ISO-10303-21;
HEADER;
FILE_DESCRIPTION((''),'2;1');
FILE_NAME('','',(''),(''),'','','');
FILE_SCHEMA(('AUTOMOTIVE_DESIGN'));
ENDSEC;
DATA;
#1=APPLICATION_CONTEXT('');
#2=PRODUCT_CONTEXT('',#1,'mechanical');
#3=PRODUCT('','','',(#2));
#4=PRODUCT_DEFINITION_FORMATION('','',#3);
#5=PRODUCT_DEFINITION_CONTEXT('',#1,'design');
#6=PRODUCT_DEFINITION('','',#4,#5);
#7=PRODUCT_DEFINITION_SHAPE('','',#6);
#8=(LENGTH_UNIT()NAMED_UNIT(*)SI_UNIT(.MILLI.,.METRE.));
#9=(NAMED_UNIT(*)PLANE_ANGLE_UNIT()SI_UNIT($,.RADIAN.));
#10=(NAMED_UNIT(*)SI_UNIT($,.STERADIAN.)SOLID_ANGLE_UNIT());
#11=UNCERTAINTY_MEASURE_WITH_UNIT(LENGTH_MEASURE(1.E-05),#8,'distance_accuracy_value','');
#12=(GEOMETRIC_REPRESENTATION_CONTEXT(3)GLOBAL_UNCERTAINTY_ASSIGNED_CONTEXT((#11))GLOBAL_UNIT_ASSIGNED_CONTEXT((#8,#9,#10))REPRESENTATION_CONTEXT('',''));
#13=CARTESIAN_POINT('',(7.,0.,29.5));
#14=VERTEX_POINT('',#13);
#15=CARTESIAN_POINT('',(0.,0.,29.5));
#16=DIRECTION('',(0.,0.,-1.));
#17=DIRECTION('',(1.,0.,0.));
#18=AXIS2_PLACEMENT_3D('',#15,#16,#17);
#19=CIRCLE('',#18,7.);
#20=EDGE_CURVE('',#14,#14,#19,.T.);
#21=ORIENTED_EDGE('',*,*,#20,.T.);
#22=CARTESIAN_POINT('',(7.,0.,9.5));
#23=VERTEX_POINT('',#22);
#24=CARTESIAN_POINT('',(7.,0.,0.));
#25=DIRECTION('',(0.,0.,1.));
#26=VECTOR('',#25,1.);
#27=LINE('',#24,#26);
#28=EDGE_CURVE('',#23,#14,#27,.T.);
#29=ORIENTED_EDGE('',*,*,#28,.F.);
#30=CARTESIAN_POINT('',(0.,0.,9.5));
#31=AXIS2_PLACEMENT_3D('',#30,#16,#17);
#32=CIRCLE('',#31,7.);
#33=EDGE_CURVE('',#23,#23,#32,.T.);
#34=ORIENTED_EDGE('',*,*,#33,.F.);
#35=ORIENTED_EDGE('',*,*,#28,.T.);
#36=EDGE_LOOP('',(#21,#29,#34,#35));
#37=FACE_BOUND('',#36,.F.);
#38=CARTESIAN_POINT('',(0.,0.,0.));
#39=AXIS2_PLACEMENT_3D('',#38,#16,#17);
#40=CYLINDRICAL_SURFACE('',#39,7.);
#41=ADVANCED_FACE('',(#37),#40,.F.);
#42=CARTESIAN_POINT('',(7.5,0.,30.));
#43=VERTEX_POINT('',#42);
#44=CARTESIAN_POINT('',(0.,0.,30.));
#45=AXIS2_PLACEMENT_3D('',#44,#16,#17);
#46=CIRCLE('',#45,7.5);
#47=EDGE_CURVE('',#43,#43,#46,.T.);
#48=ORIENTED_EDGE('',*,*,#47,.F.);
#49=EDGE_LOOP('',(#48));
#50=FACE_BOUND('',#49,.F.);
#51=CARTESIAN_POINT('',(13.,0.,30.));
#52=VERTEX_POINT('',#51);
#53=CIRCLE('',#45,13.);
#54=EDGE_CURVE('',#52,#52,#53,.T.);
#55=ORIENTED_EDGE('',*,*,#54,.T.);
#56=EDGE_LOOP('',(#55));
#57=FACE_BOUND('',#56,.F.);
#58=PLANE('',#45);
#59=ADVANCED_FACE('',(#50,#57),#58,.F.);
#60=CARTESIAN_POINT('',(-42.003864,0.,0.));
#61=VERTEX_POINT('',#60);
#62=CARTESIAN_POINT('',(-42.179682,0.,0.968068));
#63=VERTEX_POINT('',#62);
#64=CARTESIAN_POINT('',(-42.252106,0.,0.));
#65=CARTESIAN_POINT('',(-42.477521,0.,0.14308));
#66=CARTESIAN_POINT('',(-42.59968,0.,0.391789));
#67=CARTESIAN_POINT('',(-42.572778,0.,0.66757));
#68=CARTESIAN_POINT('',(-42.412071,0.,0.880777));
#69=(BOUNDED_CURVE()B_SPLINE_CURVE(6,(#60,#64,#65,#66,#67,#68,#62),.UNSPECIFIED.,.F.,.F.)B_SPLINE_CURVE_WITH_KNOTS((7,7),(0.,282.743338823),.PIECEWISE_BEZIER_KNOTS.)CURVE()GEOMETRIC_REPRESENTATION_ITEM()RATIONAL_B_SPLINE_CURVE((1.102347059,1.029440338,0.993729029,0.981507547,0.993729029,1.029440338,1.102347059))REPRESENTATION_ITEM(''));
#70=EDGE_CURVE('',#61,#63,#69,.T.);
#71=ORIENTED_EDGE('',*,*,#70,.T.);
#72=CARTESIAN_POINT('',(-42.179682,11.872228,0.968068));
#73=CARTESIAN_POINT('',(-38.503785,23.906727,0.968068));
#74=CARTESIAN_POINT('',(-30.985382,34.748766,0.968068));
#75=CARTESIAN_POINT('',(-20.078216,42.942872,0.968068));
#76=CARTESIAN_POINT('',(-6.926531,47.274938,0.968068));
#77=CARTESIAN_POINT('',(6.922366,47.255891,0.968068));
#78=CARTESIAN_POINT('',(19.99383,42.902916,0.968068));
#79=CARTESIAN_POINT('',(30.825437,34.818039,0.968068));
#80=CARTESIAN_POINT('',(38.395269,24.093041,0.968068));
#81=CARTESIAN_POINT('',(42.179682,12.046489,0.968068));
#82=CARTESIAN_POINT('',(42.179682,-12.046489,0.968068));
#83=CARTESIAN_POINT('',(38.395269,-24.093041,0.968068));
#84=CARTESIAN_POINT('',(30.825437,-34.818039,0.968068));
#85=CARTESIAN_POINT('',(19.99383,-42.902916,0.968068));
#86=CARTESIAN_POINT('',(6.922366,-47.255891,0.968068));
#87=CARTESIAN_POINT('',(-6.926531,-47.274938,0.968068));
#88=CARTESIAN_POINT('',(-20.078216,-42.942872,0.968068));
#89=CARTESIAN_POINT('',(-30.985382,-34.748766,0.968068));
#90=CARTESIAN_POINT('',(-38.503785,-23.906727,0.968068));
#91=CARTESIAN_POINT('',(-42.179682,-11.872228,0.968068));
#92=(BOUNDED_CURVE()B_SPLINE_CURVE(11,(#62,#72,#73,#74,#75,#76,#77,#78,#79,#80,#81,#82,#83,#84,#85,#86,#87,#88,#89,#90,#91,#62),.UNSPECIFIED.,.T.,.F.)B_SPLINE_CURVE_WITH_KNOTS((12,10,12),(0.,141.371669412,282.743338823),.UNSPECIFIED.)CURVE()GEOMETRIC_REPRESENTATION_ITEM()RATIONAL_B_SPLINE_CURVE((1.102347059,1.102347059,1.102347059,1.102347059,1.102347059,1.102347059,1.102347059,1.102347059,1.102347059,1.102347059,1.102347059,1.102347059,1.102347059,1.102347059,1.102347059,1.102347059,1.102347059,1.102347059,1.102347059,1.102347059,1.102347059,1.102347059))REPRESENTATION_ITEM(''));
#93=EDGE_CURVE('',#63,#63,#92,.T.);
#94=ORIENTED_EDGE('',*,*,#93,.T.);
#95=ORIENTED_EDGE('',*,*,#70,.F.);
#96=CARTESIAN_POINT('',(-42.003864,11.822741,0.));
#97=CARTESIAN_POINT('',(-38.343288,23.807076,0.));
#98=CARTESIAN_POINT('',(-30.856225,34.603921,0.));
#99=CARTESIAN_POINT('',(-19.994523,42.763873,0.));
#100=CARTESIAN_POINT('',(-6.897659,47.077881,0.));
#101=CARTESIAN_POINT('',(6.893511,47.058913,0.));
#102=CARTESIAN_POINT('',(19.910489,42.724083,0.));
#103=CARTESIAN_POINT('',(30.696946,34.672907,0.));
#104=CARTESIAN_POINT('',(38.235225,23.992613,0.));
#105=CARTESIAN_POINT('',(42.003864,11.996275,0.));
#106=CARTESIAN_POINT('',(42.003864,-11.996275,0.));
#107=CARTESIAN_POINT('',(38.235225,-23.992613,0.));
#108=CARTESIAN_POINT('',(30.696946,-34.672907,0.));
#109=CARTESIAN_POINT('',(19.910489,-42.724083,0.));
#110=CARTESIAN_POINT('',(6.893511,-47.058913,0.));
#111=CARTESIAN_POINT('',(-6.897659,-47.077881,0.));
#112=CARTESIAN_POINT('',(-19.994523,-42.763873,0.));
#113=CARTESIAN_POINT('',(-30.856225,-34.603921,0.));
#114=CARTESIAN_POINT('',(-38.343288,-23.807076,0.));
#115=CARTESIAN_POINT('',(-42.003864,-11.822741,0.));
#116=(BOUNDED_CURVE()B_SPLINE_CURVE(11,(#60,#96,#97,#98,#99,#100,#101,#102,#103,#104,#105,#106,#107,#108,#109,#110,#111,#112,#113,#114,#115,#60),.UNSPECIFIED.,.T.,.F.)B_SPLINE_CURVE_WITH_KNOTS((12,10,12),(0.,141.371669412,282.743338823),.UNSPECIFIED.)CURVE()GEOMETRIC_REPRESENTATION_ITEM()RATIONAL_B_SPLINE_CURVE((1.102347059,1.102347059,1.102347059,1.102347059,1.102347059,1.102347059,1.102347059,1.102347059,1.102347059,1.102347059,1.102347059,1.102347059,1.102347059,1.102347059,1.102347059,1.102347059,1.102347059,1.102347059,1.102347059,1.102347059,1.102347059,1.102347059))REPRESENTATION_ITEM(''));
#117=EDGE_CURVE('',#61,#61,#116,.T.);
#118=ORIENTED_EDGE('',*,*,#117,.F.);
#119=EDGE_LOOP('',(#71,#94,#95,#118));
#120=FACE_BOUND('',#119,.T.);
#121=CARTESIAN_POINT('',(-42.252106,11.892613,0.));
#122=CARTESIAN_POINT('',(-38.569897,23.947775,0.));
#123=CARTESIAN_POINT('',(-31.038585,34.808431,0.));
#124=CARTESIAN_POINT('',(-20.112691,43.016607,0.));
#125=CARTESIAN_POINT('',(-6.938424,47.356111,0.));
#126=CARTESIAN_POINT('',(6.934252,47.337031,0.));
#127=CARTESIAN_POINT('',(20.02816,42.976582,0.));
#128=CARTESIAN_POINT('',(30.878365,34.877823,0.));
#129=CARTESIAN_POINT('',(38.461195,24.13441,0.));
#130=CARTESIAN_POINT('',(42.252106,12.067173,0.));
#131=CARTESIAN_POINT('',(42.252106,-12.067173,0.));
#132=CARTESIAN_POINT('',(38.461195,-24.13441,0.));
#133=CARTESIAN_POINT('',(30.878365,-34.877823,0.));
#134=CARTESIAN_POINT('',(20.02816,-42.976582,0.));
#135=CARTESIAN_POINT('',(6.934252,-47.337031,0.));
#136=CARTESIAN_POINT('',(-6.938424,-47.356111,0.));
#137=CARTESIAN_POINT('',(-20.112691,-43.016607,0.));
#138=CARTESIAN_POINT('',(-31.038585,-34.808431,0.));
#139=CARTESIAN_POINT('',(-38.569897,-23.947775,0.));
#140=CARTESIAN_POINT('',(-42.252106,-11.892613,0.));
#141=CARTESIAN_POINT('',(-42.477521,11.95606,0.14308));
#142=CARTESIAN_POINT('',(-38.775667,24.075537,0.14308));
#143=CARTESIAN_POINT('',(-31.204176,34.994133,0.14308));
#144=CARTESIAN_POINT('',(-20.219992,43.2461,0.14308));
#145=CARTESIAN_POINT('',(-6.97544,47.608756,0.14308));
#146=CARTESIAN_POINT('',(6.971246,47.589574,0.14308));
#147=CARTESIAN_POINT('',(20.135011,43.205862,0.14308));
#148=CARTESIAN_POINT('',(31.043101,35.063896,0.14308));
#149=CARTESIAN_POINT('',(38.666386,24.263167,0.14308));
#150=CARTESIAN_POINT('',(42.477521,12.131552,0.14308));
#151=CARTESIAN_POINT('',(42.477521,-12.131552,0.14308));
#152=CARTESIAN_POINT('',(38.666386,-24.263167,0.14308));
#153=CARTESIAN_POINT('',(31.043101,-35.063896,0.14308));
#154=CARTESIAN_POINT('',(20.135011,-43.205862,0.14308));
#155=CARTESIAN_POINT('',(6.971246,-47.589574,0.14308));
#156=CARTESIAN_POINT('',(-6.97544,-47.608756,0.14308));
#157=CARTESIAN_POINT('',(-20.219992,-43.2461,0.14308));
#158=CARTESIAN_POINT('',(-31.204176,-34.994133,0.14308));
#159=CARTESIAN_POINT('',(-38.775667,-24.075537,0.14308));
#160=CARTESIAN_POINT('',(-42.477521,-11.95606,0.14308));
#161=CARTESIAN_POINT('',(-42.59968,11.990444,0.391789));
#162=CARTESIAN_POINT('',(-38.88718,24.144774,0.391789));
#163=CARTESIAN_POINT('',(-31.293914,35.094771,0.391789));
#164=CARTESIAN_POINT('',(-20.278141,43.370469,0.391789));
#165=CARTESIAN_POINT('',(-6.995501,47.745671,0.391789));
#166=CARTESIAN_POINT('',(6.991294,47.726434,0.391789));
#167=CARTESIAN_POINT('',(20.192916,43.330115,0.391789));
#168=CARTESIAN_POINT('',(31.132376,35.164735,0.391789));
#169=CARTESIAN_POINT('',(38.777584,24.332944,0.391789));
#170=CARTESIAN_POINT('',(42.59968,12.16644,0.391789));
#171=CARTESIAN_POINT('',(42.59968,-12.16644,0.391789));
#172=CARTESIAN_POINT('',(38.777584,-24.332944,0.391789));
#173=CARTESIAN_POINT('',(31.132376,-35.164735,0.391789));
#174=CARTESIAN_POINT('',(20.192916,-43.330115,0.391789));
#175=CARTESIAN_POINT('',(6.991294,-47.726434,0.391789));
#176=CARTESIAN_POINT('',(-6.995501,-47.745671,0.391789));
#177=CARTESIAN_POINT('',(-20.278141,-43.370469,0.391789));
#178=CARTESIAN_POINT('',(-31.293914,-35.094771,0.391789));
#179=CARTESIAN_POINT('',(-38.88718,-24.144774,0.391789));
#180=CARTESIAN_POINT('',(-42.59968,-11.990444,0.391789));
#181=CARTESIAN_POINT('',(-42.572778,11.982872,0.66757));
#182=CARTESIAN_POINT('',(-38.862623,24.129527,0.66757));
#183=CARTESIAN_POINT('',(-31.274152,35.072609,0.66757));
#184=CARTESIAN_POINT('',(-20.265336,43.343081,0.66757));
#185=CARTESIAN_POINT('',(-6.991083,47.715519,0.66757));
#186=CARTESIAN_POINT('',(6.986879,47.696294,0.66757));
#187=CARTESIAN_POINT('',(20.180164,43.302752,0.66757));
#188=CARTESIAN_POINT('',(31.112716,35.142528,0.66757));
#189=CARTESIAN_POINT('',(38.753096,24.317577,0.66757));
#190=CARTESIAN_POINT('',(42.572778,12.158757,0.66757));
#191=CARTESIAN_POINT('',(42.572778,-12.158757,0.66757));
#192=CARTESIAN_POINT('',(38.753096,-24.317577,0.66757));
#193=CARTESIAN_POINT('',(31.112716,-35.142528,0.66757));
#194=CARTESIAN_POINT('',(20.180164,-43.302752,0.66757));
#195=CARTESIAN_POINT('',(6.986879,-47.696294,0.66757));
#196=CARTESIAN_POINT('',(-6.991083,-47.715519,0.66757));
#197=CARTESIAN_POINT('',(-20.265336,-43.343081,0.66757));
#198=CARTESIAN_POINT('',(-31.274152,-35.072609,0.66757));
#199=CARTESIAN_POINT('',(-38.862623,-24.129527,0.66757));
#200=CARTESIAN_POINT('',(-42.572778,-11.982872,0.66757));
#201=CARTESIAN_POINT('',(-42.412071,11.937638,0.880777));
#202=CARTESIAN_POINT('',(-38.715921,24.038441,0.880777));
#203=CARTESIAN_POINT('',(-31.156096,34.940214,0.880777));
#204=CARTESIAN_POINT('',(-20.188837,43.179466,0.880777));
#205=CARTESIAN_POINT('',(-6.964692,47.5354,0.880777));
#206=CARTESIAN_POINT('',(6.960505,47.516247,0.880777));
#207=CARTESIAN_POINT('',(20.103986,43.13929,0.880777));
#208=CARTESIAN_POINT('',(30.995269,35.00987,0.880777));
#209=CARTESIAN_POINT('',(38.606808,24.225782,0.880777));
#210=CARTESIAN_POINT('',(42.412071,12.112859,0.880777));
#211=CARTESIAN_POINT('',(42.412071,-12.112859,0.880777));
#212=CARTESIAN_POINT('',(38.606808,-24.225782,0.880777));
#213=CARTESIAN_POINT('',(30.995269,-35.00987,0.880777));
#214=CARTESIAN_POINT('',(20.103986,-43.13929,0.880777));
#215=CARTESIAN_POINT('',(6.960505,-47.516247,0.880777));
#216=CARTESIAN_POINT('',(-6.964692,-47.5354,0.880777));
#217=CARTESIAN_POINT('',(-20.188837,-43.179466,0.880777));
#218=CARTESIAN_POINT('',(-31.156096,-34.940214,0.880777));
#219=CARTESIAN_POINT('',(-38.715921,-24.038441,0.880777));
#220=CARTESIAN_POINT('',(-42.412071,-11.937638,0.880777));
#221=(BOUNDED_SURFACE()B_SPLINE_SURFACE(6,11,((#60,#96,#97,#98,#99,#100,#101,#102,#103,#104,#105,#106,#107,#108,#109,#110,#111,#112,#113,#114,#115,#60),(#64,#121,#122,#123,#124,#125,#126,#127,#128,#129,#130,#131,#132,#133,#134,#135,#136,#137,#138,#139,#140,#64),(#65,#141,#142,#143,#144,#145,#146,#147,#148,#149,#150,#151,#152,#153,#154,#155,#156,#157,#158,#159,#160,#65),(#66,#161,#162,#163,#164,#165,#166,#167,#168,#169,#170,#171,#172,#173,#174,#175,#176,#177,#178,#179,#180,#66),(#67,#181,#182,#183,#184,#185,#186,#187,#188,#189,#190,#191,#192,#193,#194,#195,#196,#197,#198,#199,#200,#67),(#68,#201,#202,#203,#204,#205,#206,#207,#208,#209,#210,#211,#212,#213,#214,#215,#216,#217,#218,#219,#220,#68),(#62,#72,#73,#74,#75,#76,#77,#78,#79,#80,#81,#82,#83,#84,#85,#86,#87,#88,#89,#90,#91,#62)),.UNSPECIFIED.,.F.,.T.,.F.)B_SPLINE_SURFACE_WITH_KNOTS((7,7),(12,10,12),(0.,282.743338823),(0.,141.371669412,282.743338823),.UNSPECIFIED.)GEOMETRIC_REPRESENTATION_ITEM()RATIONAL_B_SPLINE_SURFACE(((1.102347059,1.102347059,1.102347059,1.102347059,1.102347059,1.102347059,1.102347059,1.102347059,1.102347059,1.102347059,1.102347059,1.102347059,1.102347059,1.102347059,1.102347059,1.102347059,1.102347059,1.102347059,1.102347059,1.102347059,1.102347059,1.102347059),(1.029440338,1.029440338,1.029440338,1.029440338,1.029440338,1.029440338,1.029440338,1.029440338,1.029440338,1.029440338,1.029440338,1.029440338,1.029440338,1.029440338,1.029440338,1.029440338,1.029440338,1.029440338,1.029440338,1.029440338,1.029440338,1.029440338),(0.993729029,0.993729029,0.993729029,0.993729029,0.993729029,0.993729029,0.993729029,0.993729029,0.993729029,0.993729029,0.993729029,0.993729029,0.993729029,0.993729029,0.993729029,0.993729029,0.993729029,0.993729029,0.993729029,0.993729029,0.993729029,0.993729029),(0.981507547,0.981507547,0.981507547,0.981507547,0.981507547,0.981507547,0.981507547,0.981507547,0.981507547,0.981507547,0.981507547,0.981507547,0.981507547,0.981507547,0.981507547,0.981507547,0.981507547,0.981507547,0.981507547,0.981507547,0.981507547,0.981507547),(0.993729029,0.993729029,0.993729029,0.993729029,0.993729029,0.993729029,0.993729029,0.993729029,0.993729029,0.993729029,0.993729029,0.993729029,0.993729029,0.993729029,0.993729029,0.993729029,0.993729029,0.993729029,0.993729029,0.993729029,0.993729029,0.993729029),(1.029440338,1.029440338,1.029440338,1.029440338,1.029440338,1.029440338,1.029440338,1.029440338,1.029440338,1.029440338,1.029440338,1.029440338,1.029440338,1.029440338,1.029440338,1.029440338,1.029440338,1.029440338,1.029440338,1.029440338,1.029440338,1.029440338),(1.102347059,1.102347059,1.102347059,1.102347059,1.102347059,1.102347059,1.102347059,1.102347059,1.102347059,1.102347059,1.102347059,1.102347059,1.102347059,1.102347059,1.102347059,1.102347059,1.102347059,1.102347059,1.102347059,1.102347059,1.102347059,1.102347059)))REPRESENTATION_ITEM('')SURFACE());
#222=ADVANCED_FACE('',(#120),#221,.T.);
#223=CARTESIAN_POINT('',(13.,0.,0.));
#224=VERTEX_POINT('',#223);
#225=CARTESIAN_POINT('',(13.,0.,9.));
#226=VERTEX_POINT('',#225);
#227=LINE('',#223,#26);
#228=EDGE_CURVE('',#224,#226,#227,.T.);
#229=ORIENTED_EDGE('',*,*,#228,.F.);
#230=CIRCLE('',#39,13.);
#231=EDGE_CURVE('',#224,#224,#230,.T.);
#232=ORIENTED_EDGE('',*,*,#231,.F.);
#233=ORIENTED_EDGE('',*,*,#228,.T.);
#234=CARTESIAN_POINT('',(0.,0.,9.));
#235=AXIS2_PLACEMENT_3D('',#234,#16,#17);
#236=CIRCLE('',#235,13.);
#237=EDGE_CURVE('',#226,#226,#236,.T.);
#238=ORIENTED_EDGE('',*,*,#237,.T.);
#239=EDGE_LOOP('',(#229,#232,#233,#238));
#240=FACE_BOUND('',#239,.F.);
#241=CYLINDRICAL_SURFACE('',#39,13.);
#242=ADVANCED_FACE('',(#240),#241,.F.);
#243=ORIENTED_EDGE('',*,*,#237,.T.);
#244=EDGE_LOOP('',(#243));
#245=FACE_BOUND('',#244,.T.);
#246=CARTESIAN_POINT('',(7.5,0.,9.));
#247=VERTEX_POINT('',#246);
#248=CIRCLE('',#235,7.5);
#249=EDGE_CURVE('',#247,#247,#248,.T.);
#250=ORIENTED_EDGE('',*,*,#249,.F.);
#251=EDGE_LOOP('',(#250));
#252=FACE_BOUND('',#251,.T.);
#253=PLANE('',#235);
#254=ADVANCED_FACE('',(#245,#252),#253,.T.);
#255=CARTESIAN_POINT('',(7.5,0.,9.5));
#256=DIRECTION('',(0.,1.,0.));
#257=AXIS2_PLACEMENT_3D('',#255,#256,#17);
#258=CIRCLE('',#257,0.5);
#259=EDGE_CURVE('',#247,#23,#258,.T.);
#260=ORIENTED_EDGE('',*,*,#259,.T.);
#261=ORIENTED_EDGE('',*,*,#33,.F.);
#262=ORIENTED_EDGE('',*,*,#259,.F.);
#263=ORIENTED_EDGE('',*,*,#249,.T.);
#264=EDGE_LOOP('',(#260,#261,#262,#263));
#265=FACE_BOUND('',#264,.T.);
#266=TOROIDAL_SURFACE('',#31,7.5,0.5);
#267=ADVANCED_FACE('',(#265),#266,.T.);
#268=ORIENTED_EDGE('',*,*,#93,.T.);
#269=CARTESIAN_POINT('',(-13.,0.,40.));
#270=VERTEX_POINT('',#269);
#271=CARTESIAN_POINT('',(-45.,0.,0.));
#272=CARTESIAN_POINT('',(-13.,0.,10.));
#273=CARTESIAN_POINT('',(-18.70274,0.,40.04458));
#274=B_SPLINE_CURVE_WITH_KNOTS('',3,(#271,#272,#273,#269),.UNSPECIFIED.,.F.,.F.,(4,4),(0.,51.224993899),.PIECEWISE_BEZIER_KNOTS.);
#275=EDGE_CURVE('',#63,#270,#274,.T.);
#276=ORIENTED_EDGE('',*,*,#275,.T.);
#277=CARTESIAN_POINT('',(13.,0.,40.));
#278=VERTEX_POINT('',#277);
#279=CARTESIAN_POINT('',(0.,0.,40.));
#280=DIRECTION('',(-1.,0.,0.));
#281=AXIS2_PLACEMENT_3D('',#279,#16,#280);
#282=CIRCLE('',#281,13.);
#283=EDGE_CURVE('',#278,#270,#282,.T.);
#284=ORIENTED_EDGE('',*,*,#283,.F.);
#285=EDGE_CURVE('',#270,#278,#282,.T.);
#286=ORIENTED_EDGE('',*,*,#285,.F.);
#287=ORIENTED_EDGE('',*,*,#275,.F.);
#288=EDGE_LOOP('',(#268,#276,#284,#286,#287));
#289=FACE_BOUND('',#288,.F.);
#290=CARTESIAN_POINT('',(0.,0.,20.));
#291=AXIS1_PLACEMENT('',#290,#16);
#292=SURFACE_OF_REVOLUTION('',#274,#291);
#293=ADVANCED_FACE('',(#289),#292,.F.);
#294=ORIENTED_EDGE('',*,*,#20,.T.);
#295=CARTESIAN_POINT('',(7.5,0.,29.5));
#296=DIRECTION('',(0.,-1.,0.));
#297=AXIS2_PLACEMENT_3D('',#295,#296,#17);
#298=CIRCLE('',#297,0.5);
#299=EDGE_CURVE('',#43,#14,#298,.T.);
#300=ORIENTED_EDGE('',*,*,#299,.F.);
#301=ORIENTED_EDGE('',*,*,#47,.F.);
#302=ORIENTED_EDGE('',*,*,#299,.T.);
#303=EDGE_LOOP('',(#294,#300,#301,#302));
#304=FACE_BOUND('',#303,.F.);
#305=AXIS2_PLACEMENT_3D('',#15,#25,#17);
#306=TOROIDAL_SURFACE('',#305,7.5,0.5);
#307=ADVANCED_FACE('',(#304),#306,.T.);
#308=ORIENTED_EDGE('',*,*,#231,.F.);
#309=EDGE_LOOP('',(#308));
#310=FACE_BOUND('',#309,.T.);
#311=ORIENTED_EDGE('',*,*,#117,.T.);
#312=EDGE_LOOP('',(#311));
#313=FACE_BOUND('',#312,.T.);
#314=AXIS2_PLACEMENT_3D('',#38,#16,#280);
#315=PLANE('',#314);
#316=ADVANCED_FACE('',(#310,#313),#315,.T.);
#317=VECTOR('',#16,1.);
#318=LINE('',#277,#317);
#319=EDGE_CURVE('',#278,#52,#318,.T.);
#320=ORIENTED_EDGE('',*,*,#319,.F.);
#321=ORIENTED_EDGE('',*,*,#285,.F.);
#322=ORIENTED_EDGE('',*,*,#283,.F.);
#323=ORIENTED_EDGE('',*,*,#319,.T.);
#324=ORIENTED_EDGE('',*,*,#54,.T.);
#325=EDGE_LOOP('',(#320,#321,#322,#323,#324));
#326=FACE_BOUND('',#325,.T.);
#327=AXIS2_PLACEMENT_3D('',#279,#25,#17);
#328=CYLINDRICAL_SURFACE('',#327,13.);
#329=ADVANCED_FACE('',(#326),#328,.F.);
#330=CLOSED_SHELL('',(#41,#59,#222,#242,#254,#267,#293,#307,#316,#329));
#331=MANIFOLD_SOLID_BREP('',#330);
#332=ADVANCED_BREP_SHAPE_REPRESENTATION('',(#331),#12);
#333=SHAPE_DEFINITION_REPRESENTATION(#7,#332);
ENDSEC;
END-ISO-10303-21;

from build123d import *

# Parameters (mm, degrees)
F2_R     = 7
F3_DEPTH = 50
F2_R_2   = 13
F4_DEPTH = 9
F6_R     = 13
F7_DEPTH = 10
F8_R     = 0.5


with BuildPart() as f1:
    # F0 (on Front) → F1 (revolve)
    with BuildSketch(Plane.XZ):
        with BuildLine():
            Line((-45, 0), (0, 0))
            Line((0, 0), (0, 40))
            Line((0, 40), (-13, 40))
            add(Edge.make_bspline(
                [(-45, 0), (-13, 10), (-18.7027398497, 40.0445796549), (-13, 40)],
                knots=[0, 0, 0, 0, 51.2249938995, 51.2249938995, 51.2249938995, 51.2249938995], degree=3))
        make_face()
    revolve(axis=Axis((0, 0, 20), (0, 0, -1)))

    # F2 (on face) → F3 (cut)
    with BuildSketch(Plane(origin=(0, 0, 0), x_dir=(1, 0, 0), z_dir=(0, 0, -1))):
        Circle(F2_R)
    extrude(amount=-F3_DEPTH, mode=Mode.SUBTRACT)

    # F2 (on face) → F4 (cut)
    with BuildSketch(Plane(origin=(0, 0, 0), x_dir=(1, 0, 0), z_dir=(0, 0, -1))):
        Circle(F2_R_2)
        Circle(F2_R, mode=Mode.SUBTRACT)
    extrude(amount=-F4_DEPTH, mode=Mode.SUBTRACT)

    # F6 (on line) → F7 (cut)
    with BuildSketch(Plane(origin=(0, 0, 40), x_dir=(1, 0, 0), z_dir=(0, 0, -1))):
        Circle(F6_R)
    extrude(amount=F7_DEPTH, mode=Mode.SUBTRACT)

    # F8
    f8_edges = [f1.edges().sort_by_distance(p)[0] for p in [
        (-7, 0, 30),
        (-7, 0, 9),
        (45, 0, 0),
    ]]
    fillet(f8_edges, radius=F8_R)


solid = f1.part
